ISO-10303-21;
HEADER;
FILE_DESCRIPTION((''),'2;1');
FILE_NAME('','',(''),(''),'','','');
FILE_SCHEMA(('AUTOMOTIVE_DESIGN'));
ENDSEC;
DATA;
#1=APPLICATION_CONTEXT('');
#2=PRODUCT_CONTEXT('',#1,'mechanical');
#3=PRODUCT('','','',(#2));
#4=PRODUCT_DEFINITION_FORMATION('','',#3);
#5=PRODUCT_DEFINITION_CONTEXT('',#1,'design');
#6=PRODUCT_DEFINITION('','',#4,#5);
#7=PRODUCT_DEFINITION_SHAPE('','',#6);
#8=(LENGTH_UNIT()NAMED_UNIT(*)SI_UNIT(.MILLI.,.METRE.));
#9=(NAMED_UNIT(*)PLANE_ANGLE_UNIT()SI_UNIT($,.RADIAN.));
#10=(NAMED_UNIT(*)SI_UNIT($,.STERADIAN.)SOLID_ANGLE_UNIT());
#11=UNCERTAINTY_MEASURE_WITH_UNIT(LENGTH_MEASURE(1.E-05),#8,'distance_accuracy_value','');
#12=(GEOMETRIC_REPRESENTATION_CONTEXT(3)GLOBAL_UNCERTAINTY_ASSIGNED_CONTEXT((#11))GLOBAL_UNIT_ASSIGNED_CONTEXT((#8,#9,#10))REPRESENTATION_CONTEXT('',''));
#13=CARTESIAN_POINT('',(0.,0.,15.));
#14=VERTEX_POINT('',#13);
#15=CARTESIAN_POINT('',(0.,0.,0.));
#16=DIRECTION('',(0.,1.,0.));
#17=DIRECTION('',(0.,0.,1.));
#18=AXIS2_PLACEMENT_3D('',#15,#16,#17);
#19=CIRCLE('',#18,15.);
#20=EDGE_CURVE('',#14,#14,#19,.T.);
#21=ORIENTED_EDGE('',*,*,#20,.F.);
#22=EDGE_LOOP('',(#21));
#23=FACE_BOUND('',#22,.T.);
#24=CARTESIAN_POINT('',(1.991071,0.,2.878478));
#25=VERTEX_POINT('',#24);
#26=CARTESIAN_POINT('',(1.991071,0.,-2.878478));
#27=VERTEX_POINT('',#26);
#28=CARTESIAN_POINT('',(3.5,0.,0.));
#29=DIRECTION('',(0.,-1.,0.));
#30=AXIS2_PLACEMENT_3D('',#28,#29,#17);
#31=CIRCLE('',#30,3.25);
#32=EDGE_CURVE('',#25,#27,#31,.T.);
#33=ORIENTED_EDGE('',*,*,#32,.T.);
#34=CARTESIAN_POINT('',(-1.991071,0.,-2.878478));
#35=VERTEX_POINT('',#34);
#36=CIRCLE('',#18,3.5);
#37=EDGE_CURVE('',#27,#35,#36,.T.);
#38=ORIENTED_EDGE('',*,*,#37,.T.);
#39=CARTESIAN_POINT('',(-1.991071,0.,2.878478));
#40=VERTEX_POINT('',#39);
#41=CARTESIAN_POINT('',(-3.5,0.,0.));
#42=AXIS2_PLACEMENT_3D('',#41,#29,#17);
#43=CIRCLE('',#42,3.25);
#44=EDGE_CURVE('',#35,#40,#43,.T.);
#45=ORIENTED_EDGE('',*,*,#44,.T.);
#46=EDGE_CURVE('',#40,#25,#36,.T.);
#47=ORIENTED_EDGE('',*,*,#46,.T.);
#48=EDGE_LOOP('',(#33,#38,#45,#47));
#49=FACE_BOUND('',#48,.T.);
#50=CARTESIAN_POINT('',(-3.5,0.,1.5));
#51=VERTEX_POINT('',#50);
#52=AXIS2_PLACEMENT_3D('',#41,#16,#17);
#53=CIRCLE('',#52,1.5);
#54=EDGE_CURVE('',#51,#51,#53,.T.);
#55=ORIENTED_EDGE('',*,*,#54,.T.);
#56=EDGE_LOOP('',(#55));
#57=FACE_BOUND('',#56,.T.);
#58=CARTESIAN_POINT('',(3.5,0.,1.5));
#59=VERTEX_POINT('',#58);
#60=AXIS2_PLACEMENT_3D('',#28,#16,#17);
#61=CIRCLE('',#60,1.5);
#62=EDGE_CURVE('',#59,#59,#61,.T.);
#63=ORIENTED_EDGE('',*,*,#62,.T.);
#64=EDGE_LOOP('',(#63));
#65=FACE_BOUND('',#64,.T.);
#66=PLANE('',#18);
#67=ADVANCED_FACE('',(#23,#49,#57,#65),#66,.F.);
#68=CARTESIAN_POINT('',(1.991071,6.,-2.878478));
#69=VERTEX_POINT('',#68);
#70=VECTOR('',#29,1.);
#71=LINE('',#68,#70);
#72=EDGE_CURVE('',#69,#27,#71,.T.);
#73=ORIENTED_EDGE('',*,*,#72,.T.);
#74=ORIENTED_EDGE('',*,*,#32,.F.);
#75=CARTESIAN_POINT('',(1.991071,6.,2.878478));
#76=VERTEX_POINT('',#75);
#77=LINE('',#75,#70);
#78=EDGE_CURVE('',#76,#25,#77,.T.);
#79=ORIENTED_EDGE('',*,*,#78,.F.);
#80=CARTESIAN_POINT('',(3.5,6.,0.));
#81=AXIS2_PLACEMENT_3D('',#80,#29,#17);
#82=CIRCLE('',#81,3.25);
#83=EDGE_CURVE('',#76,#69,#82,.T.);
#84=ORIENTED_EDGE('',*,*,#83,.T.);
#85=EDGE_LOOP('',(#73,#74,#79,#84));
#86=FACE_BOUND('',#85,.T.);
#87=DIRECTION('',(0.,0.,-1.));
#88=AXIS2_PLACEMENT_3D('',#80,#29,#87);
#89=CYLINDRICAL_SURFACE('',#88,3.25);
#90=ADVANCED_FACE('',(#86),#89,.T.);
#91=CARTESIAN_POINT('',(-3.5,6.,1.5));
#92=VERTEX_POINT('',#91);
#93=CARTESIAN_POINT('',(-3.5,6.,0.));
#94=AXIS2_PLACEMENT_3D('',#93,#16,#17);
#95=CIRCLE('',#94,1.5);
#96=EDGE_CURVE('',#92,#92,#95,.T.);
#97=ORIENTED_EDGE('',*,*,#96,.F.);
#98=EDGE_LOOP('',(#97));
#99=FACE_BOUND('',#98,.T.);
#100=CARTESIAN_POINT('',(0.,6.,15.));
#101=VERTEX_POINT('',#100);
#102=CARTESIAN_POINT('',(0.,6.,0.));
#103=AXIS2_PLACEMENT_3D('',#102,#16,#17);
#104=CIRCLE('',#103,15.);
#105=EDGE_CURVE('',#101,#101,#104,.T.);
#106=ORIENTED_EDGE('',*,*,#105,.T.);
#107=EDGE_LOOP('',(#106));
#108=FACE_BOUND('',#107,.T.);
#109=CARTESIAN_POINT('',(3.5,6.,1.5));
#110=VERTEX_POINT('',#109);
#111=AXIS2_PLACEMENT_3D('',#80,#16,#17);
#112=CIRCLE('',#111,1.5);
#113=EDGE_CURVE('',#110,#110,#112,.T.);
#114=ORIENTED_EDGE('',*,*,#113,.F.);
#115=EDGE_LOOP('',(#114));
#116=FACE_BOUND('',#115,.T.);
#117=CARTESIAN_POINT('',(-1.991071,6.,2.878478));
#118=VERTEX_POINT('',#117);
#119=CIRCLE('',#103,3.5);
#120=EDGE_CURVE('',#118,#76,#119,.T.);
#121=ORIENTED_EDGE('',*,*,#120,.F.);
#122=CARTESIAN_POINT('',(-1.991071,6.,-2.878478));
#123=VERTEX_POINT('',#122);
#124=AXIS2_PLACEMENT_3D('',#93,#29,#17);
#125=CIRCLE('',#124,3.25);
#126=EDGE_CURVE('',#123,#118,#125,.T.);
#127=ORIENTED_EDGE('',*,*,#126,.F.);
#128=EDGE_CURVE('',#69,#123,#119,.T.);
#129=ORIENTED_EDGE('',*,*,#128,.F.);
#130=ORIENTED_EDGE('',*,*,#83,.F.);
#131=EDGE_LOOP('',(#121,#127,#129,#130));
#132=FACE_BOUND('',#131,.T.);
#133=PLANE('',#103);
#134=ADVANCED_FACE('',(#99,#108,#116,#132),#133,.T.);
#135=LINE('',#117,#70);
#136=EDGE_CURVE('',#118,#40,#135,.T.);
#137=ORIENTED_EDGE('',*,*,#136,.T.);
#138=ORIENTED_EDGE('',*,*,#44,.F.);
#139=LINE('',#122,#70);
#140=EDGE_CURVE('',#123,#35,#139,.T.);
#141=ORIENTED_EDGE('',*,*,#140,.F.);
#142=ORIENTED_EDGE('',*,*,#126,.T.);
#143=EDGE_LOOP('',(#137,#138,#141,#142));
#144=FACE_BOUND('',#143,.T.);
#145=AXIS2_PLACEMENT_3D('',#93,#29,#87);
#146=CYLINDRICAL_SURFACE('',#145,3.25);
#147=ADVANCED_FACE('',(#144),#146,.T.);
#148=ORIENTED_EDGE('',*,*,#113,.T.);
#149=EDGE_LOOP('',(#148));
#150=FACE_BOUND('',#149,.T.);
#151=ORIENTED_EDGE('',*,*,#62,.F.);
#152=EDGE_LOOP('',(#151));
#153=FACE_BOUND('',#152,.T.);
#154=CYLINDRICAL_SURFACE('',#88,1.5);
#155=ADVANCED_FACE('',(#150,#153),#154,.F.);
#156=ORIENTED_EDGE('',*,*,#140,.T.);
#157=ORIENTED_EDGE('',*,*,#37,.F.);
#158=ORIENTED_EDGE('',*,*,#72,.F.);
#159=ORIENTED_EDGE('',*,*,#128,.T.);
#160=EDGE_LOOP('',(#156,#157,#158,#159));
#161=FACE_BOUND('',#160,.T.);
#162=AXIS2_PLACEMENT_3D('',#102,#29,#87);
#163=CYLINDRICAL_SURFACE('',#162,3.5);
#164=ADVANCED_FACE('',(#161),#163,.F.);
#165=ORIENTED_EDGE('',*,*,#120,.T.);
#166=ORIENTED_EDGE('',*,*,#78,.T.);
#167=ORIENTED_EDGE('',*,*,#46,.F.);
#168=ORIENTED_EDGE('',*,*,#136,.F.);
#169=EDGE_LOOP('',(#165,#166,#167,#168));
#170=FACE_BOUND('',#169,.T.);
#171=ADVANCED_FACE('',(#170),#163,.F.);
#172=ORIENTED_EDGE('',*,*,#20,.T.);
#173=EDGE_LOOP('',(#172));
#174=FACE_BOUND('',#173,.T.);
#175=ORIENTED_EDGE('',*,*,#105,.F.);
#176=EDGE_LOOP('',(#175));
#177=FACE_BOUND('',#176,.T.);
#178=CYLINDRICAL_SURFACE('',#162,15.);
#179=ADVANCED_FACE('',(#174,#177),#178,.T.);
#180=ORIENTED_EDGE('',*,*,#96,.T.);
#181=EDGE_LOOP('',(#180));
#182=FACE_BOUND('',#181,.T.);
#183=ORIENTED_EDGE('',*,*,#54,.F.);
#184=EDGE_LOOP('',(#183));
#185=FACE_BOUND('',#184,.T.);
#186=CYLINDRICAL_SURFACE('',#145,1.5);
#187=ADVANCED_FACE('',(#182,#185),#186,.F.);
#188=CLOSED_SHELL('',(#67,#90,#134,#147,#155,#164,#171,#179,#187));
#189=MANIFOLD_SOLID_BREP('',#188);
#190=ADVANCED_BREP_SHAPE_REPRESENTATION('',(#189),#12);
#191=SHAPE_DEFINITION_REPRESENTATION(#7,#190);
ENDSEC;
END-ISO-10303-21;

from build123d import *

# Parameters (mm, degrees)
ESQUISSE1_R        = 15
ESQUISSE1_R_2      = 1.5
BOSS_EXTRU_1_DEPTH = 6


with BuildPart() as part:
    # Esquisse1 → Boss.-Extru.1 (new body)
    with BuildSketch(Plane(origin=(0, 0, 0), x_dir=(1, 0, 0), z_dir=(0, 1, 0))):
        Circle(ESQUISSE1_R)
        with Locations((-3.5, 0)):
            Circle(ESQUISSE1_R_2, mode=Mode.SUBTRACT)
        with Locations((3.5, 0)):
            Circle(ESQUISSE1_R_2, mode=Mode.SUBTRACT)
        with BuildLine():
            ThreePointArc((1.991071429, 2.878477821), (0.25, 0), (1.991071429, -2.878477821))
            ThreePointArc((1.991071429, -2.878477821), (0, -3.5), (-1.991071429, -2.878477821))
            ThreePointArc((-1.991071429, -2.878477821), (-0.25, 0), (-1.991071429, 2.878477821))
            ThreePointArc((-1.991071429, 2.878477821), (0, 3.5), (1.991071429, 2.878477821))
        make_face(mode=Mode.SUBTRACT)
    extrude(amount=BOSS_EXTRU_1_DEPTH)


solid = part.part
